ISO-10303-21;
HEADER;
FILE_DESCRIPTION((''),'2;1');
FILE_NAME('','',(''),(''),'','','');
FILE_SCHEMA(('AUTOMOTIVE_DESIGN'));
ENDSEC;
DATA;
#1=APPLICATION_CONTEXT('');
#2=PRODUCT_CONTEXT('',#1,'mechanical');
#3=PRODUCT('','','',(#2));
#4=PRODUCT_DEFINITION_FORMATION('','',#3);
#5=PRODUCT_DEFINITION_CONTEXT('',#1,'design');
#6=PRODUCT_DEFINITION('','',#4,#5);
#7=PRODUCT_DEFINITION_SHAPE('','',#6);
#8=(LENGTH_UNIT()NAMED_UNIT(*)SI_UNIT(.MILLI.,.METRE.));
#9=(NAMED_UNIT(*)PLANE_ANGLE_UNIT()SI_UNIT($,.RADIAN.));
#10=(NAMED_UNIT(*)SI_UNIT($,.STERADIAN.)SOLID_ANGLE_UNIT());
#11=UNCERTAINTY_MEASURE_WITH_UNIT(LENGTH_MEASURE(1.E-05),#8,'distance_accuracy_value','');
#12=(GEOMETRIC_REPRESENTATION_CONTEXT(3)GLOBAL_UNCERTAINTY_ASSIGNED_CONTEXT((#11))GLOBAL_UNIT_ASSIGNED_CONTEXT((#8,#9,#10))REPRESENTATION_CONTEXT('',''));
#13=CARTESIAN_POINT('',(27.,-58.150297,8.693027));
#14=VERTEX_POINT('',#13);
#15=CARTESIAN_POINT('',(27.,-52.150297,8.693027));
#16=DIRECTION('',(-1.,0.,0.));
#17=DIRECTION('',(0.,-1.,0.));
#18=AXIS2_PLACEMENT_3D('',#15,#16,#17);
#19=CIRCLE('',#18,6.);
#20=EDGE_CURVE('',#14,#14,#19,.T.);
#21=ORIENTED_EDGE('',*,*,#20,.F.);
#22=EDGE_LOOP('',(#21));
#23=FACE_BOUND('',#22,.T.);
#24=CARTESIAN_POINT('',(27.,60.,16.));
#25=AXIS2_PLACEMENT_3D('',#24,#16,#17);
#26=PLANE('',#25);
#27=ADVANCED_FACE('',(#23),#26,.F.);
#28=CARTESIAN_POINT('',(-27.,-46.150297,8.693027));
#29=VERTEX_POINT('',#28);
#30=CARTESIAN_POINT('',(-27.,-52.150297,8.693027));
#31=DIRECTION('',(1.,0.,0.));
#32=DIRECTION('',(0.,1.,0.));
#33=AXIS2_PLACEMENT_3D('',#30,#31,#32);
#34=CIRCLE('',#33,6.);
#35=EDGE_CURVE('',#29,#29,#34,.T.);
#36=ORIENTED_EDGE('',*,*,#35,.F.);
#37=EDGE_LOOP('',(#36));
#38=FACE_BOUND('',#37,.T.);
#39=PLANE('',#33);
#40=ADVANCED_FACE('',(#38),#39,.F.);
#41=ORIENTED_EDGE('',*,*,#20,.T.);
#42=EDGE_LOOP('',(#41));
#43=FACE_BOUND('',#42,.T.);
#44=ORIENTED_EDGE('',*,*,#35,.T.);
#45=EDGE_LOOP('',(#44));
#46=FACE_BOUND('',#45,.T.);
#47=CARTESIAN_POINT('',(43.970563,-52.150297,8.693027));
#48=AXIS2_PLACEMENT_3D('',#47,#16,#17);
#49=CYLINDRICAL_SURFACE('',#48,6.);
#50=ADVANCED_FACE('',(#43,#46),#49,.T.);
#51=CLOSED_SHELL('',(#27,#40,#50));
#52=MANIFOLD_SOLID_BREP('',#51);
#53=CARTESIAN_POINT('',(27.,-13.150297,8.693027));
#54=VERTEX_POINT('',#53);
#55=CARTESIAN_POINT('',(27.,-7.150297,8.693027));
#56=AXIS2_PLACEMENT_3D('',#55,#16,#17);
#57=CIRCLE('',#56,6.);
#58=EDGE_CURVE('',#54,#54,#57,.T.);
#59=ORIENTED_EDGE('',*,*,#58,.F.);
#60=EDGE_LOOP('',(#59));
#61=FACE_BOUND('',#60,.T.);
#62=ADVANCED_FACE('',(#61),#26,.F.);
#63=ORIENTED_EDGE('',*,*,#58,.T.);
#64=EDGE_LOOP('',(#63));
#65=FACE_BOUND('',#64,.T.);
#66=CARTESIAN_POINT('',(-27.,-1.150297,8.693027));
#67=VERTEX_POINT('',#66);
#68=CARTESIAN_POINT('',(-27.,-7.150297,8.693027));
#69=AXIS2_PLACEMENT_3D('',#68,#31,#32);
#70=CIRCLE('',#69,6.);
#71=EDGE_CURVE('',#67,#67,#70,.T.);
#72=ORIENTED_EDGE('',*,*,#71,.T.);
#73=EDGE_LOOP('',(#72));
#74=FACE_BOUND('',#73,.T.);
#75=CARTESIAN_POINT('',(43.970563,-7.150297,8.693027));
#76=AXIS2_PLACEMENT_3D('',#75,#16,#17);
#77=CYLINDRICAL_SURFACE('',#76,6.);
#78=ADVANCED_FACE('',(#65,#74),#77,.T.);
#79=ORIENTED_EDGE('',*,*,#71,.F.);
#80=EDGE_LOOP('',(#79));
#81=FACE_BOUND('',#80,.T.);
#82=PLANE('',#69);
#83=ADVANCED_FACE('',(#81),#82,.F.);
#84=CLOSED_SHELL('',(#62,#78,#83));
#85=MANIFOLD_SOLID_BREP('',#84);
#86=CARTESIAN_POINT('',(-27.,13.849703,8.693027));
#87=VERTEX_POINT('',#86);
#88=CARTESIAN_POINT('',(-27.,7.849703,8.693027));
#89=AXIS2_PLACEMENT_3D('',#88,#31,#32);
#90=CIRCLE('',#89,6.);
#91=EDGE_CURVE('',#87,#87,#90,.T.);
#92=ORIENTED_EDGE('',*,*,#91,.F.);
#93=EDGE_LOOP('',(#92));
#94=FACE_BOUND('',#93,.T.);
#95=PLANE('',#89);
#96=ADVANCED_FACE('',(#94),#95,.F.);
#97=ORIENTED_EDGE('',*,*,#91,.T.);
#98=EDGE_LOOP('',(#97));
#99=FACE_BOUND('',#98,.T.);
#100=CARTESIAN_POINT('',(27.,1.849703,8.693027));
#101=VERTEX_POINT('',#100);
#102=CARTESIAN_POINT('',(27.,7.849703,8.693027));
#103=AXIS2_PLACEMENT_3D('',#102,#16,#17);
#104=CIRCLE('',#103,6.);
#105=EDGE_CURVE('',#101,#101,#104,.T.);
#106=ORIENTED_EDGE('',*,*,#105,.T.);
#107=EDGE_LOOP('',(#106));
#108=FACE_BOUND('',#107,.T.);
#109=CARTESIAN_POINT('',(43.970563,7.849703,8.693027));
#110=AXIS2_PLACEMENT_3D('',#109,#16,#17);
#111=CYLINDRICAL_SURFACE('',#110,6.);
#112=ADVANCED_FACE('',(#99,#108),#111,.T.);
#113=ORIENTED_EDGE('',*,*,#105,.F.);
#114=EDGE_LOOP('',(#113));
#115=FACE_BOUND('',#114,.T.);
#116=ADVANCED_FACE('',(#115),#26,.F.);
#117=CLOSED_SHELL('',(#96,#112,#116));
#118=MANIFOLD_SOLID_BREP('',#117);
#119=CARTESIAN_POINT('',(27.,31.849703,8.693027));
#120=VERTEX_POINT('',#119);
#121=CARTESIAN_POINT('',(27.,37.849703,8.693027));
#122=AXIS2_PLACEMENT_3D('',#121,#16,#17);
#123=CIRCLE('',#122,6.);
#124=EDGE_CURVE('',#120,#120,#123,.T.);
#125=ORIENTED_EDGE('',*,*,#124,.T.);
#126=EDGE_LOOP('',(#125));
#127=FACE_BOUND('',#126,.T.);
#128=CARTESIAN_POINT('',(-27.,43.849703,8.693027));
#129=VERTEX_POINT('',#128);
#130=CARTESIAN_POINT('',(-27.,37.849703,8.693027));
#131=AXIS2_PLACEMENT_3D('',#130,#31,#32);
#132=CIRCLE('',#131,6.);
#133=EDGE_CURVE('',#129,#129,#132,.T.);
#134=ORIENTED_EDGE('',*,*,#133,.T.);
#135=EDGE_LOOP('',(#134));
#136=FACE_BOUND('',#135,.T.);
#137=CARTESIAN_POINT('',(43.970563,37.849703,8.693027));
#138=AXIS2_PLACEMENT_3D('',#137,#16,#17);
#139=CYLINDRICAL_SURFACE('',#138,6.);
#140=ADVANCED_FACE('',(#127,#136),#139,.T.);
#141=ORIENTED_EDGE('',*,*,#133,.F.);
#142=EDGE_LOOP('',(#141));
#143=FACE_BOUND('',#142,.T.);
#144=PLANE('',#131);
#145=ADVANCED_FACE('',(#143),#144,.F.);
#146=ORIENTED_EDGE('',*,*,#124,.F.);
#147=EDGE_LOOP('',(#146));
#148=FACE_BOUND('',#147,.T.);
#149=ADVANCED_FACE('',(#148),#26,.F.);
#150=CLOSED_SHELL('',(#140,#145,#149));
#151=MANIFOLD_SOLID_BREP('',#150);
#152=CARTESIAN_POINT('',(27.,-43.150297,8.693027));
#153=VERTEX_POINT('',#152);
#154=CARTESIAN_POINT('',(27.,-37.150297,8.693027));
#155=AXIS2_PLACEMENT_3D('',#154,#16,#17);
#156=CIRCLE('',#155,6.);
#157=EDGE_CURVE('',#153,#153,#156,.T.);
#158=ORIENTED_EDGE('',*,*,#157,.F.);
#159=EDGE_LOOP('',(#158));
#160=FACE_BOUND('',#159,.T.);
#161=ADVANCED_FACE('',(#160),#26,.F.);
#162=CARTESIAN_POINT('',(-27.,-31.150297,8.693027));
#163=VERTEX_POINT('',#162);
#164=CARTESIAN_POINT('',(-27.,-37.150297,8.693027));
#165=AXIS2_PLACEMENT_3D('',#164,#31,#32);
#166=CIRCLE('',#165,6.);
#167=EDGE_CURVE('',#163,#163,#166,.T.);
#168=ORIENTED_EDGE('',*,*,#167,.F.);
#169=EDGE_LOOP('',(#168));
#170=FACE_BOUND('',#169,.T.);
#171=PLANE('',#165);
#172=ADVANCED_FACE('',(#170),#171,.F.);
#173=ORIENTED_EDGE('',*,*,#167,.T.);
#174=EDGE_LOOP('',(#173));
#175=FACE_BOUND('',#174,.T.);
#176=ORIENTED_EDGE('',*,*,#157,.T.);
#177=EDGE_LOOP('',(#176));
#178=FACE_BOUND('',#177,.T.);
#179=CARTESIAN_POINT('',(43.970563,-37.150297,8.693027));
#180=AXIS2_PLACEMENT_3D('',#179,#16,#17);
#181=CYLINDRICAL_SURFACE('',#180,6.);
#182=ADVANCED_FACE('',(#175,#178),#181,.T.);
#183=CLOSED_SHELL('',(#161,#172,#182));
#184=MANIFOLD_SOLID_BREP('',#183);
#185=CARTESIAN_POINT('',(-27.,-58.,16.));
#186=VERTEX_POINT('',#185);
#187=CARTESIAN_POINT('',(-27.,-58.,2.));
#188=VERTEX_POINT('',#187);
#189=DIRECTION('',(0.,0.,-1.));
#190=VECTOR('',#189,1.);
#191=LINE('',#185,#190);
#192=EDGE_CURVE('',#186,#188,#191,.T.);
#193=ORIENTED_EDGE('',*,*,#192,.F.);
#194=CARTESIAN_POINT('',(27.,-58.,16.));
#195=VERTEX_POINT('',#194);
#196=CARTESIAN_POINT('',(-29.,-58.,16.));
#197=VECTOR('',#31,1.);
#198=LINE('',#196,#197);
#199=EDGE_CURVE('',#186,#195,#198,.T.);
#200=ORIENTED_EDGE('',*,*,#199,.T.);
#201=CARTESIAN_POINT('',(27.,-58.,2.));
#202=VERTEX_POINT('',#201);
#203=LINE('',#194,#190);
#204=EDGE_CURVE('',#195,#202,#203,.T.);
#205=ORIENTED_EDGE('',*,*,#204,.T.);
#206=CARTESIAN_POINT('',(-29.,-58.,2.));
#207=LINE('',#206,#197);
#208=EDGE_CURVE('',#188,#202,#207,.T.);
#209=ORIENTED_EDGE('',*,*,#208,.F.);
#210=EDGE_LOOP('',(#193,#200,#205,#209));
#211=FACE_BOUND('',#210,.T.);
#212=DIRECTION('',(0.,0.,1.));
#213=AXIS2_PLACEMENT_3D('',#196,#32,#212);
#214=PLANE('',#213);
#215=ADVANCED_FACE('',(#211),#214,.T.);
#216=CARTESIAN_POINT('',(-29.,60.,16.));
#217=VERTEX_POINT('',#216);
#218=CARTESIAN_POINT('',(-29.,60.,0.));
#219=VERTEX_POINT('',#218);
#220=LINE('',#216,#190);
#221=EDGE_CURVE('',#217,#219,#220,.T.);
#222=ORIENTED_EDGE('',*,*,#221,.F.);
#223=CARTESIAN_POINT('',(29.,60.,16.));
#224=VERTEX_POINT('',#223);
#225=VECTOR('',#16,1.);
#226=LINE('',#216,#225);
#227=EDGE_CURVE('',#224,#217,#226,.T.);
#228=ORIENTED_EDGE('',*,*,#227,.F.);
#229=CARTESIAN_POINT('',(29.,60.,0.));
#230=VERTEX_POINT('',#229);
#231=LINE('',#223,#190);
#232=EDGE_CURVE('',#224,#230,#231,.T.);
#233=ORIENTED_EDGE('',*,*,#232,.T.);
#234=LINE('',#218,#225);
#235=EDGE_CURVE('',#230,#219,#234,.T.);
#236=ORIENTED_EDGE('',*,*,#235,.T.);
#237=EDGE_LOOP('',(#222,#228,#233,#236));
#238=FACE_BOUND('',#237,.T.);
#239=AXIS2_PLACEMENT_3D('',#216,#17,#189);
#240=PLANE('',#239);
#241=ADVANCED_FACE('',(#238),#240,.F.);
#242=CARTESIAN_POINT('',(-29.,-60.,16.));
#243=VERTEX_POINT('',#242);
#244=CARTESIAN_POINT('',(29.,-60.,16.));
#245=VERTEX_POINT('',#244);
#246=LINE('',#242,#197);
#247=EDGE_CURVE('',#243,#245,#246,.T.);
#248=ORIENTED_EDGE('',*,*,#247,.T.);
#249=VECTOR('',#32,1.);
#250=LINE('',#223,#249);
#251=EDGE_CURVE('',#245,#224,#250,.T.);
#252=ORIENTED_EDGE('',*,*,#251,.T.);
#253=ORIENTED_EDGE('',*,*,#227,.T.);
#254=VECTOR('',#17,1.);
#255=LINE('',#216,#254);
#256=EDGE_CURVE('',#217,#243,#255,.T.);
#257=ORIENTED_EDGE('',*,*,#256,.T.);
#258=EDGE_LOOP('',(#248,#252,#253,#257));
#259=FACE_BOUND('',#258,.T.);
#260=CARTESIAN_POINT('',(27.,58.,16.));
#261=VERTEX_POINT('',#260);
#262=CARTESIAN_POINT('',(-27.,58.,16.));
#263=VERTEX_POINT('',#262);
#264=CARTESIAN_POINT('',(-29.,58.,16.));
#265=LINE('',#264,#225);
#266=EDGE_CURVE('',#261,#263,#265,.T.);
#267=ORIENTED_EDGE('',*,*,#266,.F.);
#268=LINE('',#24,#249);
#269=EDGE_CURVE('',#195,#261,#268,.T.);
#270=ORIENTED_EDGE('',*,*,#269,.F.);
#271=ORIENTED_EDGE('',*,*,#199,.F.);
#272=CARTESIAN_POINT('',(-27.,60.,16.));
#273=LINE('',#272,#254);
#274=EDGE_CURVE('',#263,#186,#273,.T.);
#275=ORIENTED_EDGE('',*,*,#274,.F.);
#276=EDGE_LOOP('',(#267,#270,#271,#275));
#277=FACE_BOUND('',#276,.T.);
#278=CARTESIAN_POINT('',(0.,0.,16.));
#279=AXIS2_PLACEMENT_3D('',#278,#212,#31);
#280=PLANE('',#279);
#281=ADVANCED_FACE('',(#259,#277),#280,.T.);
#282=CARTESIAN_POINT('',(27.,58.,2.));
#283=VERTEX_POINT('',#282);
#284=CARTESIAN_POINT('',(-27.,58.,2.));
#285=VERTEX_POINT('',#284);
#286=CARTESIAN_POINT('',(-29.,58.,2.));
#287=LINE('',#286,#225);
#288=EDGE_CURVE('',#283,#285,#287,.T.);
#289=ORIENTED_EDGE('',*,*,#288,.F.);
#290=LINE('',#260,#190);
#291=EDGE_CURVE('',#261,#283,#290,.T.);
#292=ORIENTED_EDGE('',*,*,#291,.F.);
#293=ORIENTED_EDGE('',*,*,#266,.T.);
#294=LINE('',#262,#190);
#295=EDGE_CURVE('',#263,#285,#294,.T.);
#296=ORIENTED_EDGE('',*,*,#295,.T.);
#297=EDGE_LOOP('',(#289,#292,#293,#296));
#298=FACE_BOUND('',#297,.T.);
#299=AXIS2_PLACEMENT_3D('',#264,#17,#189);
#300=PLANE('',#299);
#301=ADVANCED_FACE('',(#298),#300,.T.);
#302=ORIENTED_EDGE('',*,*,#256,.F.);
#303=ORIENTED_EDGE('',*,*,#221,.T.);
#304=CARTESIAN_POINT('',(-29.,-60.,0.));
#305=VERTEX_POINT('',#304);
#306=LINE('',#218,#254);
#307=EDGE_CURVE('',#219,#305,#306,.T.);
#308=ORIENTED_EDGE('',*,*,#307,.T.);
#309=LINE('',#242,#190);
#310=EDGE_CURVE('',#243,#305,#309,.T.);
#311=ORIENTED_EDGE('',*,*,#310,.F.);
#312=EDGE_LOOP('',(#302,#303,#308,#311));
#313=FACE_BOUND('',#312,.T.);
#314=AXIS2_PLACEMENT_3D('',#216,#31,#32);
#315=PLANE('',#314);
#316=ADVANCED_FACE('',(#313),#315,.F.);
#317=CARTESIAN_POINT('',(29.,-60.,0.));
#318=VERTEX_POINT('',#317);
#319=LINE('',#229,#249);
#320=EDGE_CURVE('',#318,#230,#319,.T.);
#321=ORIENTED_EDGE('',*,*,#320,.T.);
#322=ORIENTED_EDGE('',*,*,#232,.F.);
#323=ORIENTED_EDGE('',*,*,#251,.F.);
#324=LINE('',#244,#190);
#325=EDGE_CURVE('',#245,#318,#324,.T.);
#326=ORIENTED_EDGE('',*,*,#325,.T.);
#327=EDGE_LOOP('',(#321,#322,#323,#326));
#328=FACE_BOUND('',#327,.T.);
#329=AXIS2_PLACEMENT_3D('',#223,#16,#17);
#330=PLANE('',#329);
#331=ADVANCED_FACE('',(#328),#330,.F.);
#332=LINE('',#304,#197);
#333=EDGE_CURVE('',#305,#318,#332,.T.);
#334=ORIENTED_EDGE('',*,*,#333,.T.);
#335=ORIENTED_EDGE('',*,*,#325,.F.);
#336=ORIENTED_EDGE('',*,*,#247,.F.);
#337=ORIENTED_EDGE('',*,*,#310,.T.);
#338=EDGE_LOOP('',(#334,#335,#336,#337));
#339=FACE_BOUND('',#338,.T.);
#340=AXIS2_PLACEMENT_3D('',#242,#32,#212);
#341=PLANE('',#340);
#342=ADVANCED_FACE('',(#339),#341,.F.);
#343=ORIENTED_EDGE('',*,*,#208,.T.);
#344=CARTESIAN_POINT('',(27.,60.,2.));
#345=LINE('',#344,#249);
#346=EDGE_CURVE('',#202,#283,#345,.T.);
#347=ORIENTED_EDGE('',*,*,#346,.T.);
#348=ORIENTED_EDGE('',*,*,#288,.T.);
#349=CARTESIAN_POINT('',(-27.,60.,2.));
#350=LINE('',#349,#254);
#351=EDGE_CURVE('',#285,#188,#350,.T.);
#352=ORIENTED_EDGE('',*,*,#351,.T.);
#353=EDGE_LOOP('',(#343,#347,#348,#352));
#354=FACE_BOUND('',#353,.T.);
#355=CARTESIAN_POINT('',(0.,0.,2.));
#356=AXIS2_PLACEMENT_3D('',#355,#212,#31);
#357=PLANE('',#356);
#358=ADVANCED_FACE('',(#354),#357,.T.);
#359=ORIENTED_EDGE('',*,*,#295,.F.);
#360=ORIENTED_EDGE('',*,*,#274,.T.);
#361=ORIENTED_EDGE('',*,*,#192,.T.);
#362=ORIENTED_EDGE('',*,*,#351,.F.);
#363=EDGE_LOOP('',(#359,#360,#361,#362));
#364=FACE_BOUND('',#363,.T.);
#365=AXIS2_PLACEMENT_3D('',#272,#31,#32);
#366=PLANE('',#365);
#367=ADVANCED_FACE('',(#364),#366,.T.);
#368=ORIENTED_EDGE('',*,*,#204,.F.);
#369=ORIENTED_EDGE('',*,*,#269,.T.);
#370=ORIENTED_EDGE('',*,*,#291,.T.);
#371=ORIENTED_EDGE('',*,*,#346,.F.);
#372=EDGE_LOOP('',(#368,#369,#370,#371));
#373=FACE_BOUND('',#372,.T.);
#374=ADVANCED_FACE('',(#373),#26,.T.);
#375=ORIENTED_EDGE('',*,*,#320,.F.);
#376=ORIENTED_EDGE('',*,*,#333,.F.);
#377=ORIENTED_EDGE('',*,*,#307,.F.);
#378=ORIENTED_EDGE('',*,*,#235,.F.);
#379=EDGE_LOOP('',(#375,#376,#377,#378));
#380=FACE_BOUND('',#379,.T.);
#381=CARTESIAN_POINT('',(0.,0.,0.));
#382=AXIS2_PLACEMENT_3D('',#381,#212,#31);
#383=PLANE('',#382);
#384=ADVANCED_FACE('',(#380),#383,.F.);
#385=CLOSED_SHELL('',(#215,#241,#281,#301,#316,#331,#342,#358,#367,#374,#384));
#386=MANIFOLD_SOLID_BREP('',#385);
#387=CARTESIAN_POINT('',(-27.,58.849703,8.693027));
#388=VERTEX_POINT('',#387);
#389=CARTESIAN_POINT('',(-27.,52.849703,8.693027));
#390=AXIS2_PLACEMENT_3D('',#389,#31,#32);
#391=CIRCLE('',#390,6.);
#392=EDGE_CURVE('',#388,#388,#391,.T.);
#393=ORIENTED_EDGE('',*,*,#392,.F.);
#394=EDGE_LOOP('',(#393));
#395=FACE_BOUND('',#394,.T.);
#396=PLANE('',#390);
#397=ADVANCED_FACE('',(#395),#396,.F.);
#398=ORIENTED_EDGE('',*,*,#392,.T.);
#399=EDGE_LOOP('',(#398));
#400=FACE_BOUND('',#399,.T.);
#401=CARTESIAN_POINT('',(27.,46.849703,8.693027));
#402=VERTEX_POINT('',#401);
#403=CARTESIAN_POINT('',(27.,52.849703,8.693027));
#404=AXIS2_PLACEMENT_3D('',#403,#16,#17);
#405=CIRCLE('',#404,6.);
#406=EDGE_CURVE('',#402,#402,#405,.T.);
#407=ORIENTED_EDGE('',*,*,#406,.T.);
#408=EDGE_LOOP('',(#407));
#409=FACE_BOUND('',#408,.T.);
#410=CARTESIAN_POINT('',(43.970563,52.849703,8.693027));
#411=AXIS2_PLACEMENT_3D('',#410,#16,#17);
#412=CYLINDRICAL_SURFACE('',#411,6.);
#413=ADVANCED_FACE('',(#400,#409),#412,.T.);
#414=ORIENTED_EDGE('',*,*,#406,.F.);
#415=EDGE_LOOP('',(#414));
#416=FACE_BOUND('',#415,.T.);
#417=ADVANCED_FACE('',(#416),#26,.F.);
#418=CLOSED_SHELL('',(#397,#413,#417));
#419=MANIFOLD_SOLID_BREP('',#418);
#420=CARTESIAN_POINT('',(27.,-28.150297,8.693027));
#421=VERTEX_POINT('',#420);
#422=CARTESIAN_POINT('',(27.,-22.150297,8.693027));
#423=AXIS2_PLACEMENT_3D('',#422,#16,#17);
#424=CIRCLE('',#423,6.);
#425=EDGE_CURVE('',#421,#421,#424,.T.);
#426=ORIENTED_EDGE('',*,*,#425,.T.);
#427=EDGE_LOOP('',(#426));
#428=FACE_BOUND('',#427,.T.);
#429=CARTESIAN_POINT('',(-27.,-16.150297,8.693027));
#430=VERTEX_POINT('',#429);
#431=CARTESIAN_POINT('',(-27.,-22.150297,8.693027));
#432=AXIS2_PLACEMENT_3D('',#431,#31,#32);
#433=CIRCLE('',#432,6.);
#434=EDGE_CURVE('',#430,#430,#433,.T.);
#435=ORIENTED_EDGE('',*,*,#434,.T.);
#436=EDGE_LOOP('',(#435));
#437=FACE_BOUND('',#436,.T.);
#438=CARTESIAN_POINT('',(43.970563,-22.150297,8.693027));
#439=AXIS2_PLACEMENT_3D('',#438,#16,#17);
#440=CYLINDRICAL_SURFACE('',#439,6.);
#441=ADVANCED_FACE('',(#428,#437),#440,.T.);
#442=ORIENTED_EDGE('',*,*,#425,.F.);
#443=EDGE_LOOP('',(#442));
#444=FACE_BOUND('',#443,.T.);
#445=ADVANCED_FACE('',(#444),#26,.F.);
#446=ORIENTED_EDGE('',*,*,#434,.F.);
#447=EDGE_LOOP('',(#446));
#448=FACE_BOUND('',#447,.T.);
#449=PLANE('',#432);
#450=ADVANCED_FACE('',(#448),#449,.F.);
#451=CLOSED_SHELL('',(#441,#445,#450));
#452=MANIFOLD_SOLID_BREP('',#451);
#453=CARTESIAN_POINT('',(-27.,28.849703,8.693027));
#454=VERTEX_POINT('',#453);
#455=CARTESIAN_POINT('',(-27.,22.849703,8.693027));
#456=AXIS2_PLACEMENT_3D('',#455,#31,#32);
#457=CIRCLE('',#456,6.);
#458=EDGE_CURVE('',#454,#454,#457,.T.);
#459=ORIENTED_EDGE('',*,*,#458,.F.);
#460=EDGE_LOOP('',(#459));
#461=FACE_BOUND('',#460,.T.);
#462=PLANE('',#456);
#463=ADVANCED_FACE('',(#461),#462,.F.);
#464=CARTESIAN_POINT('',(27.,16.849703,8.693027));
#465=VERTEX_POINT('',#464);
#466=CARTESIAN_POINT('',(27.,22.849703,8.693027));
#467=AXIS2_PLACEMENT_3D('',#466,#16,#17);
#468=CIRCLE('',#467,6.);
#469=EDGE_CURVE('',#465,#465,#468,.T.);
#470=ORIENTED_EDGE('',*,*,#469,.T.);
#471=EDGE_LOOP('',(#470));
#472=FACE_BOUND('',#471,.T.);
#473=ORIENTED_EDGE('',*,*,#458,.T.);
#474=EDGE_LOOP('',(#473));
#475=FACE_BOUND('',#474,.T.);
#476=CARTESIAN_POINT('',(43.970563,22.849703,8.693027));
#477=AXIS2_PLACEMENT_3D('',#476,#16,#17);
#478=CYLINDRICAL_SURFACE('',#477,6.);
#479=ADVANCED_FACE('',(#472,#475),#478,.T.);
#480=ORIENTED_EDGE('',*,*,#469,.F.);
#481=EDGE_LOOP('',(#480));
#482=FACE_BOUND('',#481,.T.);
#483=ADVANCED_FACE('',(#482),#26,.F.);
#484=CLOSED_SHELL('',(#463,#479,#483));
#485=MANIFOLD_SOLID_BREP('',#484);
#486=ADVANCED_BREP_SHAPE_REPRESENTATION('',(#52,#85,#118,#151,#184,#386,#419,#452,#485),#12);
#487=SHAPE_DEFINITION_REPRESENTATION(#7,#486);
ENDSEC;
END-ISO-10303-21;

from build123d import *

# Parameters (mm, degrees)
IZIM1_W                       = 58
IZIM1_H                       = 120
Y_KSEKLIK_EKSTR_ZYON1_DEPTH   = 16
BO_ALTMA1_T                   = -2
IZIM2_R                       = 6
Y_KSEKLIK_EKSTR_ZYON2_DEPTH   = 54
Y_KSEKLIK_EKSTR_ZYON2_2_DEPTH = 54
Y_KSEKLIK_EKSTR_ZYON2_3_DEPTH = 54
Y_KSEKLIK_EKSTR_ZYON2_4_DEPTH = 54
Y_KSEKLIK_EKSTR_ZYON2_5_DEPTH = 54
Y_KSEKLIK_EKSTR_ZYON2_6_DEPTH = 54
Y_KSEKLIK_EKSTR_ZYON2_7_DEPTH = 54
Y_KSEKLIK_EKSTR_ZYON2_8_DEPTH = 54


with BuildPart() as part:
    # Çizim1 → Yükseklik-Ekstrüzyon1 (new body)
    with BuildSketch(Plane.XY):
        Rectangle(IZIM1_W, IZIM1_H)
    extrude(amount=Y_KSEKLIK_EKSTR_ZYON1_DEPTH)

    # İç Boşaltma1
    bo_altma1_openings = [part.faces().sort_by_distance(p)[0] for p in [
        (0, 0, 16),
    ]]
    offset(amount=BO_ALTMA1_T, openings=bo_altma1_openings, kind=Kind.INTERSECTION)


with BuildPart() as body_2:
    # Çizim2 → Yükseklik-Ekstrüzyon2 (new body)
    with BuildSketch(Plane(origin=(-27, 0, 0), x_dir=(0, 0, -1), z_dir=(1, 0, 0))):
        with Locations(Location((-8.693027198, -52.150296616, 0), (0, 0, 270))):
            Circle(IZIM2_R)
    extrude(amount=Y_KSEKLIK_EKSTR_ZYON2_DEPTH)


with BuildPart() as body_3:
    # Çizim2 → Y_kseklik-Ekstr_zyon2 2 (new body)
    with BuildSketch(Plane(origin=(-27, 0, 0), x_dir=(0, 0, -1), z_dir=(1, 0, 0))):
        with Locations(Location((-8.693027198, -37.150296616, 0), (0, 0, 270))):
            Circle(IZIM2_R)
    extrude(amount=Y_KSEKLIK_EKSTR_ZYON2_2_DEPTH)


with BuildPart() as body_4:
    # Çizim2 → Y_kseklik-Ekstr_zyon2 3 (new body)
    with BuildSketch(Plane(origin=(-27, 0, 0), x_dir=(0, 0, -1), z_dir=(1, 0, 0))):
        with Locations(Location((-8.693027198, -22.150296616, 0), (0, 0, 270))):
            Circle(IZIM2_R)
    extrude(amount=Y_KSEKLIK_EKSTR_ZYON2_3_DEPTH)


with BuildPart() as body_5:
    # Çizim2 → Y_kseklik-Ekstr_zyon2 4 (new body)
    with BuildSketch(Plane(origin=(-27, 0, 0), x_dir=(0, 0, -1), z_dir=(1, 0, 0))):
        with Locations(Location((-8.693027198, -7.150296616, 0), (0, 0, 270))):
            Circle(IZIM2_R)
    extrude(amount=Y_KSEKLIK_EKSTR_ZYON2_4_DEPTH)


with BuildPart() as body_6:
    # Çizim2 → Y_kseklik-Ekstr_zyon2 5 (new body)
    with BuildSketch(Plane(origin=(-27, 0, 0), x_dir=(0, 0, -1), z_dir=(1, 0, 0))):
        with Locations(Location((-8.693027198, 7.849703384, 0), (0, 0, 270))):
            Circle(IZIM2_R)
    extrude(amount=Y_KSEKLIK_EKSTR_ZYON2_5_DEPTH)


with BuildPart() as body_7:
    # Çizim2 → Y_kseklik-Ekstr_zyon2 6 (new body)
    with BuildSketch(Plane(origin=(-27, 0, 0), x_dir=(0, 0, -1), z_dir=(1, 0, 0))):
        with Locations(Location((-8.693027198, 22.849703384, 0), (0, 0, 270))):
            Circle(IZIM2_R)
    extrude(amount=Y_KSEKLIK_EKSTR_ZYON2_6_DEPTH)


with BuildPart() as body_8:
    # Çizim2 → Y_kseklik-Ekstr_zyon2 7 (new body)
    with BuildSketch(Plane(origin=(-27, 0, 0), x_dir=(0, 0, -1), z_dir=(1, 0, 0))):
        with Locations(Location((-8.693027198, 37.849703384, 0), (0, 0, 270))):
            Circle(IZIM2_R)
    extrude(amount=Y_KSEKLIK_EKSTR_ZYON2_7_DEPTH)


with BuildPart() as body_9:
    # Çizim2 → Y_kseklik-Ekstr_zyon2 8 (new body)
    with BuildSketch(Plane(origin=(-27, 0, 0), x_dir=(0, 0, -1), z_dir=(1, 0, 0))):
        with Locations(Location((-8.693027198, 52.849703384, 0), (0, 0, 270))):
            Circle(IZIM2_R)
    extrude(amount=Y_KSEKLIK_EKSTR_ZYON2_8_DEPTH)


solid = Compound([part.part, body_2.part, body_3.part, body_4.part, body_5.part, body_6.part, body_7.part, body_8.part, body_9.part])
